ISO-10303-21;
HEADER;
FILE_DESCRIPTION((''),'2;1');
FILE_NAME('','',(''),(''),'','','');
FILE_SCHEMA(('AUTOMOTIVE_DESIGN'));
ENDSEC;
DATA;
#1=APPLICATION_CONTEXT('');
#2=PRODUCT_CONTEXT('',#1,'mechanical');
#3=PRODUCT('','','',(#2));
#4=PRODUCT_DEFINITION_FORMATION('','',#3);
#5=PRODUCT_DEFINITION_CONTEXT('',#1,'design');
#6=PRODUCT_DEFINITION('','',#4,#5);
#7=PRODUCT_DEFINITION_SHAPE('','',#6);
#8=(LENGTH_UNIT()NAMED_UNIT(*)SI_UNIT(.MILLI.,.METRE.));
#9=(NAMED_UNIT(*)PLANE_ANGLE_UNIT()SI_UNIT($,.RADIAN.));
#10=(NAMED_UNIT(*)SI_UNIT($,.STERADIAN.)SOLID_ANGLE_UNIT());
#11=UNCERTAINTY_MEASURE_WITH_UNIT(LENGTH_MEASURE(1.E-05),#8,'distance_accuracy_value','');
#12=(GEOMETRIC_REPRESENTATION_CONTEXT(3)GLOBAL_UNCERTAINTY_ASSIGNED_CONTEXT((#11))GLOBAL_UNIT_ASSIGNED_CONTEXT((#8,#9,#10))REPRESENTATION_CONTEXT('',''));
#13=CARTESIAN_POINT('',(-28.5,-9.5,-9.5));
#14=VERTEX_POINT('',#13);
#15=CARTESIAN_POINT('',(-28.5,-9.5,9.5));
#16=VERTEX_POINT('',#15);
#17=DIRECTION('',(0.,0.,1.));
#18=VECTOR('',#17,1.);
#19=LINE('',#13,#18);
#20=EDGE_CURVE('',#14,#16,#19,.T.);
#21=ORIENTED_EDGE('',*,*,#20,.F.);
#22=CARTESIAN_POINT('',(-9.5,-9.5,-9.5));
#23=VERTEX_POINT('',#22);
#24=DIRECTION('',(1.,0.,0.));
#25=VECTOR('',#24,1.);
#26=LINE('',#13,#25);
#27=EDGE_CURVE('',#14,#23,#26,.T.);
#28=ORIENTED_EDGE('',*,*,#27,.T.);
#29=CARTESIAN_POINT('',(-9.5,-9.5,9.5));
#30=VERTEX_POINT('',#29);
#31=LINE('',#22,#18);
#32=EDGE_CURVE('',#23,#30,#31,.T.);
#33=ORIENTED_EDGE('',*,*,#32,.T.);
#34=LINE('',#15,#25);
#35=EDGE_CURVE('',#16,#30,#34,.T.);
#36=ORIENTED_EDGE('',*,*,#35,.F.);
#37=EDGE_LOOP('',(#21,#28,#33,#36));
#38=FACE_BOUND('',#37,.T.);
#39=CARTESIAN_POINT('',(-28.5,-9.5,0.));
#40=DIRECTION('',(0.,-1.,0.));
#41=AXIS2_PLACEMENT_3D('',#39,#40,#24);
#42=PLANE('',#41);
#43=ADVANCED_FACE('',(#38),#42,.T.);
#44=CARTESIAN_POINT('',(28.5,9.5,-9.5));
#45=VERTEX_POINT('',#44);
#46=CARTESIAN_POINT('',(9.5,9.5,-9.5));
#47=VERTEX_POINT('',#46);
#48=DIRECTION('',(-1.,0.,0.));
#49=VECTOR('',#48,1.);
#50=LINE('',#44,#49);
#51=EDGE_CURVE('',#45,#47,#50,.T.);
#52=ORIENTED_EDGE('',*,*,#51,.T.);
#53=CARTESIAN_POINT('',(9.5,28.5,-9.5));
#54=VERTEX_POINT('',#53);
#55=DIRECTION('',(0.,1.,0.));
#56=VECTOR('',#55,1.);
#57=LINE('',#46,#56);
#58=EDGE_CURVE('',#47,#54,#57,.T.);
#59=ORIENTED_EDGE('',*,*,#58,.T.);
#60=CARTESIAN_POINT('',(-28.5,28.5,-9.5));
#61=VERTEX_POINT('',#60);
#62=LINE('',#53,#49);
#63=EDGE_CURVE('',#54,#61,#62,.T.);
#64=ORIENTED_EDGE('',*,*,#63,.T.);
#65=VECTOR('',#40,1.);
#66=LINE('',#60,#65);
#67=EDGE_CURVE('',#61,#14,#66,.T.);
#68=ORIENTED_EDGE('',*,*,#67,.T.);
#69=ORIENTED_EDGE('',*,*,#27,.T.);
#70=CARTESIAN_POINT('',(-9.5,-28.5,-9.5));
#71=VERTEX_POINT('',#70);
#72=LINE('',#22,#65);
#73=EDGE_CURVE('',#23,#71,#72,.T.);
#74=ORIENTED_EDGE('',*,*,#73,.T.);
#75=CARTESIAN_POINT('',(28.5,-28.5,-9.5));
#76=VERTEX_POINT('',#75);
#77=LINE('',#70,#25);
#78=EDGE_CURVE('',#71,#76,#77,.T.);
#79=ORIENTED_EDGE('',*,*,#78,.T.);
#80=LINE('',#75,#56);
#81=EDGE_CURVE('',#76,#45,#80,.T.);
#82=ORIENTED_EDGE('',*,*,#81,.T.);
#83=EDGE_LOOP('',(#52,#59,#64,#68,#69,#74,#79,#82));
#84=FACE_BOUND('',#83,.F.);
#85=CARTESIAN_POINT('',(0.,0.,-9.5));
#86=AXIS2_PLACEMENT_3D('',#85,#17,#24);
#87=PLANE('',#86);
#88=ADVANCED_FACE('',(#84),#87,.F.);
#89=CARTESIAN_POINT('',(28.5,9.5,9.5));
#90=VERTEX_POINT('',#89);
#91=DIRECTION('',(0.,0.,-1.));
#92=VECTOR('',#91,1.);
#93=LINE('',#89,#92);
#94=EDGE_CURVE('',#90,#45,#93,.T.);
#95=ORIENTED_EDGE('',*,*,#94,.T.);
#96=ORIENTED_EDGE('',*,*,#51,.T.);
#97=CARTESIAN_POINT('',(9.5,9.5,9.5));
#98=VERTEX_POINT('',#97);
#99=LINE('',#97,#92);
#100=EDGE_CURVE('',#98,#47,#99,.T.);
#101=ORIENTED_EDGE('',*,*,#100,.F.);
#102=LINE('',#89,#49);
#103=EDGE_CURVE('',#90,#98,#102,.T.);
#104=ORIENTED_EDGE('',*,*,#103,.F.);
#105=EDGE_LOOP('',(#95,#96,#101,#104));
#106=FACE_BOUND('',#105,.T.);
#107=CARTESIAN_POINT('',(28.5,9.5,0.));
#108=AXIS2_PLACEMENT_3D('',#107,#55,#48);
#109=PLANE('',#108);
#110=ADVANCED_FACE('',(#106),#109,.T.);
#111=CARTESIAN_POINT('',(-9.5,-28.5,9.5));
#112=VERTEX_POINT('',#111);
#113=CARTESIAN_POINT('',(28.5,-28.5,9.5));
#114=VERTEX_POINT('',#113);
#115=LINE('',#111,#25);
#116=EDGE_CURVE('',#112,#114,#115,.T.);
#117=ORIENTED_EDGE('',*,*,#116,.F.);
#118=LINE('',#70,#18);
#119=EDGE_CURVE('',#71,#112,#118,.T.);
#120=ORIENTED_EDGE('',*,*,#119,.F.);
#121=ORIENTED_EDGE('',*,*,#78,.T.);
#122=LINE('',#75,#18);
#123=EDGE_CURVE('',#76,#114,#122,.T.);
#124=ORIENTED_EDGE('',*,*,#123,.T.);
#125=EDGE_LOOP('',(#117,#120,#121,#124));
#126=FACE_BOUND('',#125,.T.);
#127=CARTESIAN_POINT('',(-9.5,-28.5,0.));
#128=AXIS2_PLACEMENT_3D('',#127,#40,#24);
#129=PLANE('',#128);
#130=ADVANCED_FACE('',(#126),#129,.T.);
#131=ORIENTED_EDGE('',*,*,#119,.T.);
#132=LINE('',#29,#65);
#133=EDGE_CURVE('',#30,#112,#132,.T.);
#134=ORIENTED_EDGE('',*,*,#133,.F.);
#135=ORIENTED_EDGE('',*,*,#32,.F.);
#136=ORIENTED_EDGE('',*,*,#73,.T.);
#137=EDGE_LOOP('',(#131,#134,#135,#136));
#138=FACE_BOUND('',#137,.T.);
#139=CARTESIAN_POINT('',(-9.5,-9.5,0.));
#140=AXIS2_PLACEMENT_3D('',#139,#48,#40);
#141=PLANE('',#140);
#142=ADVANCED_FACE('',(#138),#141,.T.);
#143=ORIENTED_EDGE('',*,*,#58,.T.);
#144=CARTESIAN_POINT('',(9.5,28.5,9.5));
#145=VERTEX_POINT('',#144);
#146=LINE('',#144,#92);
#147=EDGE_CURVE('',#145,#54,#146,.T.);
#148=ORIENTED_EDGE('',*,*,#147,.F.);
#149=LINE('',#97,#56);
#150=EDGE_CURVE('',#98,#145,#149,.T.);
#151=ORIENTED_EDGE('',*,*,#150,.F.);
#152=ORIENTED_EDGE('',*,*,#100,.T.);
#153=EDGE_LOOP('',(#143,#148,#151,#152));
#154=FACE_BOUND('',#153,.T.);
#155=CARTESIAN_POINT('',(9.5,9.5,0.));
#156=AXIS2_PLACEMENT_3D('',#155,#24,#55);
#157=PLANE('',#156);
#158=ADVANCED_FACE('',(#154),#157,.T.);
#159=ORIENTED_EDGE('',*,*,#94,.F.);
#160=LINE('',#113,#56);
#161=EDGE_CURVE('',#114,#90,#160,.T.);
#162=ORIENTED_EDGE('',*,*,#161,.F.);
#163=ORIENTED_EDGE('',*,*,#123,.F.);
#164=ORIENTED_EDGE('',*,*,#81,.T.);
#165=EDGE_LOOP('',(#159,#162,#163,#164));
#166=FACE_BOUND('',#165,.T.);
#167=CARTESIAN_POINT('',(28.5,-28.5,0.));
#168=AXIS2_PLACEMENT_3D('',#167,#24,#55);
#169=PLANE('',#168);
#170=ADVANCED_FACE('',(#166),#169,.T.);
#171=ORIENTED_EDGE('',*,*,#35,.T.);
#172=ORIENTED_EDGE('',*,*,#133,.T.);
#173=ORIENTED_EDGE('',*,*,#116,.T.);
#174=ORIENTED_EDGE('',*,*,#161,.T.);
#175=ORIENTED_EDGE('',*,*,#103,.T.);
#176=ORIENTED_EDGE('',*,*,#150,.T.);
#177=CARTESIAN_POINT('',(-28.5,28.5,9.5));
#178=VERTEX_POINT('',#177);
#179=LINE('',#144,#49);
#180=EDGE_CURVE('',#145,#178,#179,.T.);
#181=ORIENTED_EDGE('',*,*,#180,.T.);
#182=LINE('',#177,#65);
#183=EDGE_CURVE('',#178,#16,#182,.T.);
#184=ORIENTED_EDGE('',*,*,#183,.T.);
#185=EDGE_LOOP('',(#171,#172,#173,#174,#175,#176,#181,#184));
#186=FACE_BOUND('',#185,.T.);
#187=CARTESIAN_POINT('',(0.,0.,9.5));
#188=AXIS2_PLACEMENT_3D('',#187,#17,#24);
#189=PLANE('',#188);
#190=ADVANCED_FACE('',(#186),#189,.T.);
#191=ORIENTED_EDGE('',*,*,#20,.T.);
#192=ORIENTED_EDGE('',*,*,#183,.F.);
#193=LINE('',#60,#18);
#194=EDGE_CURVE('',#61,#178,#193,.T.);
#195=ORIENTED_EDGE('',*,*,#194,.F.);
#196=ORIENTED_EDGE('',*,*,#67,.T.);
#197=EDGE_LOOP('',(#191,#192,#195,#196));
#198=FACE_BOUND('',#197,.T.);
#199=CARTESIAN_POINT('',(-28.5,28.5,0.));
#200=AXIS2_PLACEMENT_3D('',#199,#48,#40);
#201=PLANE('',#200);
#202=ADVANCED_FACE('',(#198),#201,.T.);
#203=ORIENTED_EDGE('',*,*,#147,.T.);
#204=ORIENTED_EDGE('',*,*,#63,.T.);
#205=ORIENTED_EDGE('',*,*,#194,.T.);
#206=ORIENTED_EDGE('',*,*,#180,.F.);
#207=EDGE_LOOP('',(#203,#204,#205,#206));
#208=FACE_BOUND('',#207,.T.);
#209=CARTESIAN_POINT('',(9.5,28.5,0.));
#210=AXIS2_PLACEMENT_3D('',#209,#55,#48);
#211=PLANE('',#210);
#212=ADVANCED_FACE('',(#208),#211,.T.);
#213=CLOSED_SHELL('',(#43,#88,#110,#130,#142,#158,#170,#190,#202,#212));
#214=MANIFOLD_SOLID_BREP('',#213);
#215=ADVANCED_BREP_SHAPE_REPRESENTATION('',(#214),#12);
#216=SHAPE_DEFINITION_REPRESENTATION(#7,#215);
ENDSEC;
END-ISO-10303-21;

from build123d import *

# Parameters (mm, degrees)
F1_DEPTH = 9.5


with BuildPart() as f1:
    # F0 (on Top) → F1 (new body, symmetric)
    with BuildSketch(Plane.XY):
        Polygon((9.5, 28.5), (-28.5, 28.5), (-28.5, -9.5), (-9.5, -9.5), (-9.5, -28.5), (28.5, -28.5), (28.5, 9.5), (9.5, 9.5), align=None)
    extrude(amount=F1_DEPTH, both=True)


solid = f1.part
